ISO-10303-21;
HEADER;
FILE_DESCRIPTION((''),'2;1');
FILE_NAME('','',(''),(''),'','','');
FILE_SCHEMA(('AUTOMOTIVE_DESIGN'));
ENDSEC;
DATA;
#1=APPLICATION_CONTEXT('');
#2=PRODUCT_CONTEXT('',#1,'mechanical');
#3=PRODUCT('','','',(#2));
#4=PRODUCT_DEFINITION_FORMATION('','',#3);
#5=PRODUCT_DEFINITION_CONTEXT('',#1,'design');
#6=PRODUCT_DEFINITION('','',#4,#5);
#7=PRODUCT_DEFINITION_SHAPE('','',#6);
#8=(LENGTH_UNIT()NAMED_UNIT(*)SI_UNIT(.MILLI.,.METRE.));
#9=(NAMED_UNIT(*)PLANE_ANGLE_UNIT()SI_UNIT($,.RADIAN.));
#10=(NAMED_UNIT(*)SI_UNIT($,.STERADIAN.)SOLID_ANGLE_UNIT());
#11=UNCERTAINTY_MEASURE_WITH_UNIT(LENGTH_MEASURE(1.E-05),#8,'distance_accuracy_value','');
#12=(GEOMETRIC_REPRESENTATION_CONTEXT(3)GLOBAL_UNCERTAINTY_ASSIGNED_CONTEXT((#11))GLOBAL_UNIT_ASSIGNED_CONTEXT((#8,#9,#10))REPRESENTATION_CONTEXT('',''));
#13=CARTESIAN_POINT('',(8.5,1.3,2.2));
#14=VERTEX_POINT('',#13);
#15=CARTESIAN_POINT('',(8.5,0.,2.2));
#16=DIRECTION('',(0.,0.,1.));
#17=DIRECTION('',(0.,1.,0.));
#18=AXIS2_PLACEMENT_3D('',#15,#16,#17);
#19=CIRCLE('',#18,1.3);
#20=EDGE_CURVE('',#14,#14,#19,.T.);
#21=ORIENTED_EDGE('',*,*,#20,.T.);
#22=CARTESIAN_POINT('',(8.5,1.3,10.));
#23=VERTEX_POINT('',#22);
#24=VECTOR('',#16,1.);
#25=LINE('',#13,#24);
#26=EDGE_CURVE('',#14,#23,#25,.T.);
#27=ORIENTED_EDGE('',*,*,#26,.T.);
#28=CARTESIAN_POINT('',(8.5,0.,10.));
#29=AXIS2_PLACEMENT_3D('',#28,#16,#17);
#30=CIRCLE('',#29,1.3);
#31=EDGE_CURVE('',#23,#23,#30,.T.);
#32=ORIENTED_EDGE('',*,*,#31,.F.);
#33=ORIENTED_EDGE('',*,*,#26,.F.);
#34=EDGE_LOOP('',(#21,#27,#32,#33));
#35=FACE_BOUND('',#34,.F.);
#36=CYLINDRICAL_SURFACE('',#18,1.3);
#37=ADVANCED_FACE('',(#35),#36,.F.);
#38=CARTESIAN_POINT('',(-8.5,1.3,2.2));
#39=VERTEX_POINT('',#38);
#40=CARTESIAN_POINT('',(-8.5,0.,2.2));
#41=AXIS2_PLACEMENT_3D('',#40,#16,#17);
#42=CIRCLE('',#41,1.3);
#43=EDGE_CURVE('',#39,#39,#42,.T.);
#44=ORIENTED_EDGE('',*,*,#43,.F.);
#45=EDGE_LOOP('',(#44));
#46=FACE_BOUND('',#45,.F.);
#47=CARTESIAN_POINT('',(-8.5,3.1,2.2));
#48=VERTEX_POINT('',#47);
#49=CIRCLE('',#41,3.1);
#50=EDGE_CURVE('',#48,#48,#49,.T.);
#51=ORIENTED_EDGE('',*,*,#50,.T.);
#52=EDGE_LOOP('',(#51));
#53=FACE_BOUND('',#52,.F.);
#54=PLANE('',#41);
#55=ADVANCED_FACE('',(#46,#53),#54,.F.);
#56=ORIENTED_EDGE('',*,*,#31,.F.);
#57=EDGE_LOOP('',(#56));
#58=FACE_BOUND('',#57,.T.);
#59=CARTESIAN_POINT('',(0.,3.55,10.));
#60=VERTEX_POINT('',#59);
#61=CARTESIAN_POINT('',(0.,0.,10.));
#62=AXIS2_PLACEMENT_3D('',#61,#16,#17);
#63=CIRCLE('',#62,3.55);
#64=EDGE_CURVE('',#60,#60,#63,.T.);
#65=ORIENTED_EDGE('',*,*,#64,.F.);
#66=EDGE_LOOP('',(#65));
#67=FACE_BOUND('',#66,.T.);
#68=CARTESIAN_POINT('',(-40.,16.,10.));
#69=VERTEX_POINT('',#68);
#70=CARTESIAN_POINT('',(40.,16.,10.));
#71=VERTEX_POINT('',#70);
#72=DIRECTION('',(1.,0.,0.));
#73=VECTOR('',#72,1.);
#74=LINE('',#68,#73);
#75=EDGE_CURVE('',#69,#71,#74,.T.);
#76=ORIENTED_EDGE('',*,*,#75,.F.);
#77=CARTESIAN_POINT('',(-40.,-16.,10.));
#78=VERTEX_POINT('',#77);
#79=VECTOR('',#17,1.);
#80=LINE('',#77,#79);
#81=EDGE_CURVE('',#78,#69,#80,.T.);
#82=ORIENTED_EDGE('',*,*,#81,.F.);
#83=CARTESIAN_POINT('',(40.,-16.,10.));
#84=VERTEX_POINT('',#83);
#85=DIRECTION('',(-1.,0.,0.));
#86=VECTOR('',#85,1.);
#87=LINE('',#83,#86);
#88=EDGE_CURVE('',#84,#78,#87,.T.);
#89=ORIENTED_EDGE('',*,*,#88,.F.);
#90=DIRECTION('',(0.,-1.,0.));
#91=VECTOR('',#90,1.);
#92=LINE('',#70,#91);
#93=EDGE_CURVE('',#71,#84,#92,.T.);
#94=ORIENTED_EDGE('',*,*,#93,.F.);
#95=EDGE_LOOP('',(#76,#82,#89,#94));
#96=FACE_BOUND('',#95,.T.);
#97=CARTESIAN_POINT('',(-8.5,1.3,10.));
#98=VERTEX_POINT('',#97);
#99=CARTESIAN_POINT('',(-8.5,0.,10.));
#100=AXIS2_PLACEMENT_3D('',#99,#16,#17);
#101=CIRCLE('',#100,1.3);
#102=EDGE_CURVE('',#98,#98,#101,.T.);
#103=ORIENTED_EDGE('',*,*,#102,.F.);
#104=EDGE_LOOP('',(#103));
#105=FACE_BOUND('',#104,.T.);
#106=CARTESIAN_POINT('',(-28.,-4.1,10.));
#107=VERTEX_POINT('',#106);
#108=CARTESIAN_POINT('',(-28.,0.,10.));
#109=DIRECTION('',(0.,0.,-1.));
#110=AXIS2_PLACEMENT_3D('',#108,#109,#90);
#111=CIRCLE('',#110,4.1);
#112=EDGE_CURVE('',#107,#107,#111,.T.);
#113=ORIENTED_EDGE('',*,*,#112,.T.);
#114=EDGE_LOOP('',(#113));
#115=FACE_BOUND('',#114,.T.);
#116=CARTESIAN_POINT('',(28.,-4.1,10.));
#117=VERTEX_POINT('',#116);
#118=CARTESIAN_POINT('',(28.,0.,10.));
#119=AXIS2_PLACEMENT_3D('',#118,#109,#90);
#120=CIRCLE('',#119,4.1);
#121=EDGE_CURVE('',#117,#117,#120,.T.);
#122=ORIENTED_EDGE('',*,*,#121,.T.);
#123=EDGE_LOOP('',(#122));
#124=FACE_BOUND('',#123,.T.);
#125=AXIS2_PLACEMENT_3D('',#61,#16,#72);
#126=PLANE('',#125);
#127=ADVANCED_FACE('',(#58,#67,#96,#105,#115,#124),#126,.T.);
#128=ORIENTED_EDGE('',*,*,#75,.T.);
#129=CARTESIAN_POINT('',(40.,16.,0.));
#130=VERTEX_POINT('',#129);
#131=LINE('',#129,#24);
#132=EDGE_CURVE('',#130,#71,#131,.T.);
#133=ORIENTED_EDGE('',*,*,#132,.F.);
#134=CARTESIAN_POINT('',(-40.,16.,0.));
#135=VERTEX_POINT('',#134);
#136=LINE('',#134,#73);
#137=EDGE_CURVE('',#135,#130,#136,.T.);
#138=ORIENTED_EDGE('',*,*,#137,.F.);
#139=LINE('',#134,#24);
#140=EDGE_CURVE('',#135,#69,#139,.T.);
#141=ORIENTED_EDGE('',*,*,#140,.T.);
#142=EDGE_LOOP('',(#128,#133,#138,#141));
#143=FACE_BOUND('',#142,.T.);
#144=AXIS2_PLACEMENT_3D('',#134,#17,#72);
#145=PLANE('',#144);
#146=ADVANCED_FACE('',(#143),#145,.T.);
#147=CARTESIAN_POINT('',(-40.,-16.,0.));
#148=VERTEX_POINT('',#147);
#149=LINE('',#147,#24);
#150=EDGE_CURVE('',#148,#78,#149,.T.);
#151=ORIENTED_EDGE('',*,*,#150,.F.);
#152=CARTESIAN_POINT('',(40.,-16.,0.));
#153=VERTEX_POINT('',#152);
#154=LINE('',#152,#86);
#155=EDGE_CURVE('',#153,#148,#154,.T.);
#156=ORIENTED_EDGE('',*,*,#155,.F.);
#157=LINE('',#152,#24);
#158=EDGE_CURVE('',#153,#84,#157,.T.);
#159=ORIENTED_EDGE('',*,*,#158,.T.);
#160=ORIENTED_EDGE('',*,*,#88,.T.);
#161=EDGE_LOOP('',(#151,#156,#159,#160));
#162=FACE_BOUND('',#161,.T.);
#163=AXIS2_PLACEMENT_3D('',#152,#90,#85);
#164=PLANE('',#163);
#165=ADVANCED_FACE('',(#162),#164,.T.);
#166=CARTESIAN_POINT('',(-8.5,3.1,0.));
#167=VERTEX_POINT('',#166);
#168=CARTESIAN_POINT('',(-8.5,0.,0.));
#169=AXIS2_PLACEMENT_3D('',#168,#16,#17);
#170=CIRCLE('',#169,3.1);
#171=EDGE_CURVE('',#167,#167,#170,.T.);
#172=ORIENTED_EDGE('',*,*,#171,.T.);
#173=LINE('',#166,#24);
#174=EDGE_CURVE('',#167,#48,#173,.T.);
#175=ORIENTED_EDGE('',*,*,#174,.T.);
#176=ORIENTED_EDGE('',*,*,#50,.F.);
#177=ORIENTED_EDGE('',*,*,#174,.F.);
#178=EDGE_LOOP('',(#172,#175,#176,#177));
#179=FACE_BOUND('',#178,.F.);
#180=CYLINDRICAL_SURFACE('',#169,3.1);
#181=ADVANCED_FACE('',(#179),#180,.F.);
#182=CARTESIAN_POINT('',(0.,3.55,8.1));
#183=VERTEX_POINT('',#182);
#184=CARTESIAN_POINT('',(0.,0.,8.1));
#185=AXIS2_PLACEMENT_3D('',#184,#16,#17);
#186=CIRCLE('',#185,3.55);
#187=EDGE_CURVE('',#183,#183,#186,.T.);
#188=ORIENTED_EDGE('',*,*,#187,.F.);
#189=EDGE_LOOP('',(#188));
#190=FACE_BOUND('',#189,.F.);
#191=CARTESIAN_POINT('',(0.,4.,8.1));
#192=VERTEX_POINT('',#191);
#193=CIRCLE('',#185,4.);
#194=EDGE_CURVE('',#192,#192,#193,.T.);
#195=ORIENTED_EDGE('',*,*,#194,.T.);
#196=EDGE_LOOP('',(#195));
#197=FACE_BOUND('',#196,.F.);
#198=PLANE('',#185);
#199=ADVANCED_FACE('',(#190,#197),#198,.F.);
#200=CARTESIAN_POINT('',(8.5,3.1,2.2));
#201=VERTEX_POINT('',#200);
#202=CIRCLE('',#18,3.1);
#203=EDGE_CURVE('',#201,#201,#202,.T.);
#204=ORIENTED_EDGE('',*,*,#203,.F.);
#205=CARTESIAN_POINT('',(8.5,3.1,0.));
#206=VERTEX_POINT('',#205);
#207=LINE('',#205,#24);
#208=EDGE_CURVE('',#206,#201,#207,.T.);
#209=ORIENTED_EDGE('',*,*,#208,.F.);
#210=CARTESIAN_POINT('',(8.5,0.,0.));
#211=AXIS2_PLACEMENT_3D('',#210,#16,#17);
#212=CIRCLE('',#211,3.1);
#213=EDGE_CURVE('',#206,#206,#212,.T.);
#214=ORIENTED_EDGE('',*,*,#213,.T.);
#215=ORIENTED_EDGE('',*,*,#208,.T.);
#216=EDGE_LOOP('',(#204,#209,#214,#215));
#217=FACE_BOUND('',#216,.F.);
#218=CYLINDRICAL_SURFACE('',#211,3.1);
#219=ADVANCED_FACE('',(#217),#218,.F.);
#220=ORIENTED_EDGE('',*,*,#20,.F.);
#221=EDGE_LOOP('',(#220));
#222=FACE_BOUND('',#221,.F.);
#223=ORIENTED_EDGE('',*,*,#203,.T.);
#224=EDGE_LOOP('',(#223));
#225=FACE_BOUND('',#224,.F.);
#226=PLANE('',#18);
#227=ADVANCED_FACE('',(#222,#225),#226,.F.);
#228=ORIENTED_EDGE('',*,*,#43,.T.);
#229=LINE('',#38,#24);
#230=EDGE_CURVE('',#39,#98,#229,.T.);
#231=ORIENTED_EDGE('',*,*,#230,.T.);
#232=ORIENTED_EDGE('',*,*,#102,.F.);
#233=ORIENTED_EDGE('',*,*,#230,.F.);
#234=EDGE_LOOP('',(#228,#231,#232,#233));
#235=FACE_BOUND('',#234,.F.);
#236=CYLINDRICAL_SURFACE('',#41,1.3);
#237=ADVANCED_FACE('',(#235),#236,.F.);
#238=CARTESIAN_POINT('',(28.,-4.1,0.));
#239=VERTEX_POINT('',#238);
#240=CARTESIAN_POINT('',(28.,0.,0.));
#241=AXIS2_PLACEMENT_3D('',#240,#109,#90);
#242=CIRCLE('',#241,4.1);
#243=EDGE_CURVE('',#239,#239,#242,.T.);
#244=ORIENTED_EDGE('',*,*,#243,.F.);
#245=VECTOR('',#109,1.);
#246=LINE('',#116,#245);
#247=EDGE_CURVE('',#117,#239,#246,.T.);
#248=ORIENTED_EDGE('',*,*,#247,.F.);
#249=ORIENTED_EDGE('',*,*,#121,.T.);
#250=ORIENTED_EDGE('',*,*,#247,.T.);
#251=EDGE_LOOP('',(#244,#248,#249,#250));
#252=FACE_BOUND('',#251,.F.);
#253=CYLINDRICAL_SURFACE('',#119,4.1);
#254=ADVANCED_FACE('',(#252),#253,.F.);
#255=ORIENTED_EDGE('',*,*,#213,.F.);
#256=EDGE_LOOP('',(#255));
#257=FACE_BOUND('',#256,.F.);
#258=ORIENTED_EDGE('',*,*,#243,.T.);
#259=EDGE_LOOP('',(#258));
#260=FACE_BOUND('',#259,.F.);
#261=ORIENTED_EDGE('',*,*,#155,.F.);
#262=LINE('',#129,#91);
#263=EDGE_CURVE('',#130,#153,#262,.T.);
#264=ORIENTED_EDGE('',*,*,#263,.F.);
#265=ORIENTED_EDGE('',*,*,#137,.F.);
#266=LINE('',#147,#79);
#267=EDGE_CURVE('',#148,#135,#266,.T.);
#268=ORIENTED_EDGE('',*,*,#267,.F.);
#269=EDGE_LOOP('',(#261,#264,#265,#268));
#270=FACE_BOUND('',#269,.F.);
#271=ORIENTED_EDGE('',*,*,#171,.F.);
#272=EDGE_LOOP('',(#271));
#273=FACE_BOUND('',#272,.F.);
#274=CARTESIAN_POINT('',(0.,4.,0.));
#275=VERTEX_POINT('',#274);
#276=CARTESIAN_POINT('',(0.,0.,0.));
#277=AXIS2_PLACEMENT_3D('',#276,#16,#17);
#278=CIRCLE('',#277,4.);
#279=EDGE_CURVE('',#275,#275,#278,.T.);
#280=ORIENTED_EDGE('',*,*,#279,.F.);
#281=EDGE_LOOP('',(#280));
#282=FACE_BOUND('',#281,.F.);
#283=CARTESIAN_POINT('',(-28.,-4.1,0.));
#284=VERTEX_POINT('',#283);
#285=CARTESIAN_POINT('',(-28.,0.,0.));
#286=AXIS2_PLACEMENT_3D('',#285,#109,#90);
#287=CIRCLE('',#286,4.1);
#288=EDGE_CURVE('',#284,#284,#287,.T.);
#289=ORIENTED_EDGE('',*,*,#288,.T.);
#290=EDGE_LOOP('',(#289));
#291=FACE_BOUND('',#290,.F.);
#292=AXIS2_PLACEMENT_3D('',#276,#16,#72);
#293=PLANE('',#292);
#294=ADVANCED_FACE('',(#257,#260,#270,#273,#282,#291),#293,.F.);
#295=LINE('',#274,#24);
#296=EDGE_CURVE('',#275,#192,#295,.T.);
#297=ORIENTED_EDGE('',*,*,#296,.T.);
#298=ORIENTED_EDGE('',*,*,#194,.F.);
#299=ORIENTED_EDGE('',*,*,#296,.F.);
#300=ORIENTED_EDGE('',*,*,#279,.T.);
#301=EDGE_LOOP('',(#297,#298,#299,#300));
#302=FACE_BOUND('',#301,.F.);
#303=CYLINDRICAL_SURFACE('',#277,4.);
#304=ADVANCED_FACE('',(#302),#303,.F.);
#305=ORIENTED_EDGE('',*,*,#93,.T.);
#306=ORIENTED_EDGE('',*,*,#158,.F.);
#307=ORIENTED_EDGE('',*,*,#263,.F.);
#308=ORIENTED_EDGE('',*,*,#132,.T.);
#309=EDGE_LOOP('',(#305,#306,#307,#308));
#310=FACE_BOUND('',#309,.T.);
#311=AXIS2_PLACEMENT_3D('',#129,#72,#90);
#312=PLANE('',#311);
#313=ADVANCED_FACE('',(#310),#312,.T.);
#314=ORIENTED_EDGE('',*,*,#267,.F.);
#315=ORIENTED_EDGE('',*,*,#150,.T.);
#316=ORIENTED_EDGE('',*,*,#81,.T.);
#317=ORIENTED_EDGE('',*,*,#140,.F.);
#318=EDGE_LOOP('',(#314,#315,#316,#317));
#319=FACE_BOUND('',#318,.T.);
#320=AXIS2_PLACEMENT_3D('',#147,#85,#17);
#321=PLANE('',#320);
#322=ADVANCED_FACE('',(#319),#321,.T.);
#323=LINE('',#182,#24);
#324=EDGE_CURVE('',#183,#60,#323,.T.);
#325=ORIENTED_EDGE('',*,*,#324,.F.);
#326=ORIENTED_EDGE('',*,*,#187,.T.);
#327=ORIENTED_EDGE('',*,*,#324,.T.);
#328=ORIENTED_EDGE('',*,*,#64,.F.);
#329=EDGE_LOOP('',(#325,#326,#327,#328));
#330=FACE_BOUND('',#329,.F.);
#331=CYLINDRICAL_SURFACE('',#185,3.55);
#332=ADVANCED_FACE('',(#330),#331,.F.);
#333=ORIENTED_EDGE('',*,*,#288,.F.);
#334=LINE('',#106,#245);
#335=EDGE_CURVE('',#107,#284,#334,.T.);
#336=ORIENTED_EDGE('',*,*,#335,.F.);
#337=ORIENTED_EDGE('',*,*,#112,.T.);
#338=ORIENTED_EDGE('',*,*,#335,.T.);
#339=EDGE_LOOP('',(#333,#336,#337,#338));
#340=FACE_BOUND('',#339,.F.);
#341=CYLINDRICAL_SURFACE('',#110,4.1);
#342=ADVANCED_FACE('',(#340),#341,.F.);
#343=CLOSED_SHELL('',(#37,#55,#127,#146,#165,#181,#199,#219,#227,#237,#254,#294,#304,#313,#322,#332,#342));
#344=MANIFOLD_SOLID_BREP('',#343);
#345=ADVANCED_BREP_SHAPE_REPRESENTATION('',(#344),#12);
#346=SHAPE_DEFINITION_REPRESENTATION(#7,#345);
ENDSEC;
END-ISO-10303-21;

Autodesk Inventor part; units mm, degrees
ref_plane "YZ Plane" through (0, 0, 0) normal (1, 0, 0) x (0, 1, 0)
ref_plane "XZ Plane" through (0, 0, 0) normal (0, 1, 0) x (-1, 0, 0)
ref_plane "XY Plane" through (0, 0, 0) normal (0, 0, 1) x (1, 0, 0)
sketch "Sketch1" plane through (0, 0, 0) normal (0, 0, 1) x (1, 0, 0)
  line L0 (-40, 16) -> (40, 16)
  line L1 (40, 16) -> (40, -16)
  line L2 (40, -16) -> (-40, -16)
  line L3 (-40, -16) -> (-40, 16)
  line L4 (-40, 16) -> (40, -16) construction
  line L5 (40, 16) -> (-40, -16) construction
  point P0 (0, 0)
  dimension "d0" = 80
  dimension "d1" = 32
extrude "Extrusion1" add sketch "Sketch1" along normal blind 10
sketch "Sketch2" plane through (0, 0, 10) normal (0, 0, 1) x (1, 0, 0)
  line L0 (-28, 0) -> (-40, 0)
  line L1 (-40, 16) -> (-40, -16) projected
  line L2 (28, 0) -> (40, 0)
  line L3 (40, -16) -> (40, 16) projected
  point P0 (0, 0)
  dimension "d4" = 56
hole "Hole1" at (28, 0, 10) at (-28, 0, 10) direction (0, 0, -1) diameter 8.2 end through all
sketch "Sketch4" plane through (0, 0, 0) normal (0, 0, -1) x (-1, 0, 0)
  line L0 (-8.5, 0) -> (-40, 0) construction
  line L1 (8.5, 0) -> (40, 0) construction
  line L2 (40, 16) -> (40, -16) projected
  line L3 (-40, -16) -> (-40, 16) projected
  line L4 (-40, 0) -> (40, 0)
  point P0 (0, 0)
  dimension "d13" = 8.5
hole "Hole2" at (-8.5, 0, 0) at (8.5, 0, 0) direction (0, 0, 1) diameter 2.6 end through all counterbore diameter 6.2 counterbore depth 2.2
sketch "Sketch5" plane through (0, 0, 0) normal (0, 0, -1) x (-1, 0, 0)
  point P0 (0, 0)
  point P1 (0, 0)
hole "Hole3" at (0, 0, 0) direction (0, 0, 1) diameter 7.1 end through all counterbore diameter 8 counterbore depth 8.1
properties part number "13042026-09"
